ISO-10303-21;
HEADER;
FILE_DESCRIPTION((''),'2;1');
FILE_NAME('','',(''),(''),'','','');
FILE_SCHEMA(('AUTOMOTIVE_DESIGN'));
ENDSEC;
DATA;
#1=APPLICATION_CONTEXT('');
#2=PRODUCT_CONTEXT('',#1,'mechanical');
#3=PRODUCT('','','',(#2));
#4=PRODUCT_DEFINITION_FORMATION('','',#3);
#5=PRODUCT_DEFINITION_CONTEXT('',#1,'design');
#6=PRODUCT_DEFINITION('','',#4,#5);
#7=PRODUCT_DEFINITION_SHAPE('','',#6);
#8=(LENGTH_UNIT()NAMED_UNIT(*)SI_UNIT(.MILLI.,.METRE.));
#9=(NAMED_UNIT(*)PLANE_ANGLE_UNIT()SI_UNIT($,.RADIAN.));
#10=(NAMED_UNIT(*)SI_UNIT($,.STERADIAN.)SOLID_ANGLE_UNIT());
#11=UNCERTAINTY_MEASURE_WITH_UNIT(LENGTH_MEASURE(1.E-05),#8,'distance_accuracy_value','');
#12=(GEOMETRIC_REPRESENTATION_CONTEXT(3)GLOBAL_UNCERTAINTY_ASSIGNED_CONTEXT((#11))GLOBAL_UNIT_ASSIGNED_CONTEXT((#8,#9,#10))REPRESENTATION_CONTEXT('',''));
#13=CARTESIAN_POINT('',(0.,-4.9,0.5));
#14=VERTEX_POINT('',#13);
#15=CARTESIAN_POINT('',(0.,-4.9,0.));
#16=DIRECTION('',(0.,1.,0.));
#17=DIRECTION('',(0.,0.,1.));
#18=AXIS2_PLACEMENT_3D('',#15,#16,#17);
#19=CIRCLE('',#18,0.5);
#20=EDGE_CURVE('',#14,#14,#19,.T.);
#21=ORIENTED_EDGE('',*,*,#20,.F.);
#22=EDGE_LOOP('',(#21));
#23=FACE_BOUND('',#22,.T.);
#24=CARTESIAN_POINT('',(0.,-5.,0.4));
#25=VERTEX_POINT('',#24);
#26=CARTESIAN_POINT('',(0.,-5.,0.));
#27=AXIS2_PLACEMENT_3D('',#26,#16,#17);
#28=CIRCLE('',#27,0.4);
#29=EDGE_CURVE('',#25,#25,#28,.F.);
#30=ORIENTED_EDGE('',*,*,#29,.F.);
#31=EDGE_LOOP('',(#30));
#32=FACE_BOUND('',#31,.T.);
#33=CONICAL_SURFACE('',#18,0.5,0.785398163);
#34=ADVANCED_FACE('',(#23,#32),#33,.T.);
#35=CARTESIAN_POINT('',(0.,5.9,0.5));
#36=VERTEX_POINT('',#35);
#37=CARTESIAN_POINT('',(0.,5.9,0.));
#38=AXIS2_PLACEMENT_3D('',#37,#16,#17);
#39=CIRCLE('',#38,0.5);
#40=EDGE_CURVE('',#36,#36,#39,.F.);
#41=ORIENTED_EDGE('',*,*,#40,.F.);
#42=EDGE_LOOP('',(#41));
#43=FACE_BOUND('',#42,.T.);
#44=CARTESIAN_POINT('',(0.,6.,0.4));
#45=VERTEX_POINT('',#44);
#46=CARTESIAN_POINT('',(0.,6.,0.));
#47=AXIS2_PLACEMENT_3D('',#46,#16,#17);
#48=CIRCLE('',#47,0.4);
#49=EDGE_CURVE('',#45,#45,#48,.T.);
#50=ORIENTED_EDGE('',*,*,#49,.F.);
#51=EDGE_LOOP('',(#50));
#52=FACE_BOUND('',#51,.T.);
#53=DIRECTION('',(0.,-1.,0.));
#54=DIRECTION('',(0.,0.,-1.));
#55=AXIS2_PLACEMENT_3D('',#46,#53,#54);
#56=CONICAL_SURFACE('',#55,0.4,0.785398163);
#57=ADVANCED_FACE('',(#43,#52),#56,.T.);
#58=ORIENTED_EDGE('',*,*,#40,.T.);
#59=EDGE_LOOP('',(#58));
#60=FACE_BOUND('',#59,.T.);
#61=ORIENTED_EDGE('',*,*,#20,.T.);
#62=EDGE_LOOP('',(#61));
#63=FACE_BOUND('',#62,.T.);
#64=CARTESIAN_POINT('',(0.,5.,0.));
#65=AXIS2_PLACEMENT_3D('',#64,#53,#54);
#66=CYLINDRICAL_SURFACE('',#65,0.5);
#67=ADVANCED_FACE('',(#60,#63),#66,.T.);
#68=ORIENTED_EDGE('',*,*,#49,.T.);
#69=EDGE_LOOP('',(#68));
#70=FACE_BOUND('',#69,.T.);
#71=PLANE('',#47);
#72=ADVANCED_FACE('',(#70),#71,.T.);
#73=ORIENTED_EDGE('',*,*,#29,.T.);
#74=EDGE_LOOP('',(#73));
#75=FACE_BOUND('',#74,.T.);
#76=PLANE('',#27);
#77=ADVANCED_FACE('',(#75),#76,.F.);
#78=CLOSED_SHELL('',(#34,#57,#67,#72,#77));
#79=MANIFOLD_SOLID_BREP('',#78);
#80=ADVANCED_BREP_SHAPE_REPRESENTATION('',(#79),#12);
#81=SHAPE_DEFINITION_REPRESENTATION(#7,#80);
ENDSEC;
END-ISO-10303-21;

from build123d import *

# Parameters (mm, degrees)
IZIM1_R                          = 0.5
Y_KSEKLIK_EKSTR_ZYON1_DEPTH      = 5
PAH1_SIZE                        = 0.1
Y_KSEKLIK_EKSTR_ZYON2_DEPTH      = 1
Y_KSEKLIK_EKSTR_ZYON2_DEPTH_BACK = 1
IZIM2_R                          = 0.5
PAH2_SIZE                        = 0.1


with BuildPart() as part:
    # Çizim1 → Yükseklik-Ekstrüzyon1 (new, symmetric)
    with BuildSketch(Plane(origin=(0, 0, 0), x_dir=(1, 0, 0), z_dir=(0, 1, 0))):
        with Locations(Location((0, 0, 0), (0, 0, 270))):
            Circle(IZIM1_R)
    extrude(amount=Y_KSEKLIK_EKSTR_ZYON1_DEPTH, both=True)

    # Pah1
    pah1_edges = [part.edges().sort_by_distance(p)[0] for p in [
        (0, -5, -0.5),
        (0, 5, -0.5),
    ]]
    chamfer(pah1_edges, length=PAH1_SIZE)

    # Çizim2 → Yükseklik-Ekstrüzyon2 (add, two sides: drawn at the far end of the back side and taken through both)
    with BuildSketch(Plane(origin=(0, 5, 0), x_dir=(1, 0, 0), z_dir=(0, 1, 0)).offset(-Y_KSEKLIK_EKSTR_ZYON2_DEPTH_BACK)):
        with Locations(Location((0, 0, 0), (0, 0, 270))):
            Circle(IZIM2_R)
    extrude(amount=Y_KSEKLIK_EKSTR_ZYON2_DEPTH + Y_KSEKLIK_EKSTR_ZYON2_DEPTH_BACK)

    # Pah2
    pah2_edges = [part.edges().sort_by_distance(p)[0] for p in [
        (0, 6, -0.5),
    ]]
    chamfer(pah2_edges, length=PAH2_SIZE)


solid = part.part
